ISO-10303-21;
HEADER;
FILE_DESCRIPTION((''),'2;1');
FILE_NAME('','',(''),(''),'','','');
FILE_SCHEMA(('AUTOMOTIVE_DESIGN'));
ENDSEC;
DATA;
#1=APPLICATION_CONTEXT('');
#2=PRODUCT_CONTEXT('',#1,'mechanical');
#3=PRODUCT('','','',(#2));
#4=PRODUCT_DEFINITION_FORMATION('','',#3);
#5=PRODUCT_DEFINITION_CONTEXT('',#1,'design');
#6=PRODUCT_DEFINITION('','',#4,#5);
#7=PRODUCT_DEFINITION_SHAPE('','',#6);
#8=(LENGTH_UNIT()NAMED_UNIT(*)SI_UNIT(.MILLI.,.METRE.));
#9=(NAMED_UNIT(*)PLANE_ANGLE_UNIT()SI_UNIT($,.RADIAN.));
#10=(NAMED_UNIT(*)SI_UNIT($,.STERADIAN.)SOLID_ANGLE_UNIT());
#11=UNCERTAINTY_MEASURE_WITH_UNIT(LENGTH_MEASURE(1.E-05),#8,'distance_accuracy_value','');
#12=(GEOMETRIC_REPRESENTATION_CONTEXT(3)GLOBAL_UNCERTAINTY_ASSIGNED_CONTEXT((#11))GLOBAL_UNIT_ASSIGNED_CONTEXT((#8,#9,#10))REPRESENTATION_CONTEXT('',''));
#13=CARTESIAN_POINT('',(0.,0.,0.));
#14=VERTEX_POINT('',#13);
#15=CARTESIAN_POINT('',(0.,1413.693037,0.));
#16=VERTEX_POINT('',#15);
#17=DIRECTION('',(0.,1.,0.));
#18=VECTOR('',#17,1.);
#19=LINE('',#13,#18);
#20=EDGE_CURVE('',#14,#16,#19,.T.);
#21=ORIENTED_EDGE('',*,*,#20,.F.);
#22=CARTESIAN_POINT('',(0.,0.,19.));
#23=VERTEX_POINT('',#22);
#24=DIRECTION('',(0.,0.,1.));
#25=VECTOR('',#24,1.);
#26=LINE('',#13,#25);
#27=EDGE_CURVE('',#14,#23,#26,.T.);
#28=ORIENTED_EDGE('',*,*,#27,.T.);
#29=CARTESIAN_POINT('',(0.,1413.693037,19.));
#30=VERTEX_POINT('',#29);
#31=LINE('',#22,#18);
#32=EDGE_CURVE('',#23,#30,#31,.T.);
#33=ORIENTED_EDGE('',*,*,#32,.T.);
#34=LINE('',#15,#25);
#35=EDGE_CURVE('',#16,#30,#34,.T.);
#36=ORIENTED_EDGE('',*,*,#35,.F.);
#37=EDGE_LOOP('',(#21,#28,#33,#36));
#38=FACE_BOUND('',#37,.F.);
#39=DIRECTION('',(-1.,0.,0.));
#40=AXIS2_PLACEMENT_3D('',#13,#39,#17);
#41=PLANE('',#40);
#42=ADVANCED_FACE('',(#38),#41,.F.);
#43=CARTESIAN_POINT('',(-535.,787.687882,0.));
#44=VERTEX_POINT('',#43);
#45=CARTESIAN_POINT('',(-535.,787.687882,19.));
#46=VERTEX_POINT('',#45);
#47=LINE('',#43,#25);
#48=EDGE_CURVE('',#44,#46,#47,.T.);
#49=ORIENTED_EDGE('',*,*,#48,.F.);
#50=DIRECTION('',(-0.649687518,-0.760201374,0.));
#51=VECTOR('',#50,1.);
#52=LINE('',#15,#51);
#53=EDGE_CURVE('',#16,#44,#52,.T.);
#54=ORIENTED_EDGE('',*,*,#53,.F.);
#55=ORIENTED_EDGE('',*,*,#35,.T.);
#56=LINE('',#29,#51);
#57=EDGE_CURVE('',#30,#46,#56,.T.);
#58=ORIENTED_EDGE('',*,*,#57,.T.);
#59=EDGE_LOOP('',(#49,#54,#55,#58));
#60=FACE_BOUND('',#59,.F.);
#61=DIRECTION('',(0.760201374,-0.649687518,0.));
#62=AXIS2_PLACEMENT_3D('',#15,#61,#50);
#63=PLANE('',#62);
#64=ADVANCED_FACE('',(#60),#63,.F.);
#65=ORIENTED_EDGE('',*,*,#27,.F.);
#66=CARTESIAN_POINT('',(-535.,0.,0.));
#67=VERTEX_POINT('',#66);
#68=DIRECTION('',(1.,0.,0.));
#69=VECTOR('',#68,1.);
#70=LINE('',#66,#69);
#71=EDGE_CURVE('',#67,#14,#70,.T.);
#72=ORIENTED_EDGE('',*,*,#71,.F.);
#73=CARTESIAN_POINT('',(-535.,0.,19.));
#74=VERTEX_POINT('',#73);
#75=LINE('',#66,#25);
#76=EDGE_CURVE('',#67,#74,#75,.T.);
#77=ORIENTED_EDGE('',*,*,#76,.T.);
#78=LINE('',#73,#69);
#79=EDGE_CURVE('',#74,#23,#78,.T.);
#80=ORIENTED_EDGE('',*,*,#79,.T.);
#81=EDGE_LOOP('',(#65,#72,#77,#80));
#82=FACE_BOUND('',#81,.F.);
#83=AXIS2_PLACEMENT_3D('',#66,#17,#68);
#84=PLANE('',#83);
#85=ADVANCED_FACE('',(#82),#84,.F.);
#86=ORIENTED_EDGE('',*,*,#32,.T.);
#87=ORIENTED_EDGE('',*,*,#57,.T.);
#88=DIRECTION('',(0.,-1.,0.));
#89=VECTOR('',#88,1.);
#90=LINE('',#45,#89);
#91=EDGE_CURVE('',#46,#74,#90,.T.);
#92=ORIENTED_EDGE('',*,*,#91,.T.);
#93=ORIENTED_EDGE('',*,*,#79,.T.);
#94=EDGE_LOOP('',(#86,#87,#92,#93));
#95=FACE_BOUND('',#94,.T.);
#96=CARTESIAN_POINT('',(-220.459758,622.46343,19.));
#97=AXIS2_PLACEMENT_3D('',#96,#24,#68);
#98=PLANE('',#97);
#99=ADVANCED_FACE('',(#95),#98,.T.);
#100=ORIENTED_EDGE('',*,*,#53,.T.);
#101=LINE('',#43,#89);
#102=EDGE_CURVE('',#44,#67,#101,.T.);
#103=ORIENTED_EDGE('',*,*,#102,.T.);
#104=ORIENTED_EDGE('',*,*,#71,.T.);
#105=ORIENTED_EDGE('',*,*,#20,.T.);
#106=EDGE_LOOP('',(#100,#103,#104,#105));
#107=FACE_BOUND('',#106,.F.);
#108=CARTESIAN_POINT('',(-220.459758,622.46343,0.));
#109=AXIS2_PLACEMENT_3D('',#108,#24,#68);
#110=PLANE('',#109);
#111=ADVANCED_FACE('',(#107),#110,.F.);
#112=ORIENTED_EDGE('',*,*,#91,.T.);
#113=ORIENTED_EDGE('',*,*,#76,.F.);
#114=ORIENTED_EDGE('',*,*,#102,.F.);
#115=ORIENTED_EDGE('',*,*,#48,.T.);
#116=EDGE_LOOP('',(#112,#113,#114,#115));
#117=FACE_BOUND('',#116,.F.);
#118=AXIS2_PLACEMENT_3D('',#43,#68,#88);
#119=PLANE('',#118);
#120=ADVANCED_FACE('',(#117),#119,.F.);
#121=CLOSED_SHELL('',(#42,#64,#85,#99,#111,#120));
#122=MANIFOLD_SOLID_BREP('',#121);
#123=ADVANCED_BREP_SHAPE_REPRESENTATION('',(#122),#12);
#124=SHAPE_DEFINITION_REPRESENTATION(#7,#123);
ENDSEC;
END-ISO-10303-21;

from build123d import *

# Parameters (mm, degrees)
PAD_DEPTH = 19


with BuildPart() as part:
    # Sketch → Pad (new body)
    with BuildSketch(Plane.XY):
        Polygon((0, 0), (0, 1413.693037), (-535, 787.687882), (-535, 0), align=None)
    extrude(amount=PAD_DEPTH)


solid = part.part
